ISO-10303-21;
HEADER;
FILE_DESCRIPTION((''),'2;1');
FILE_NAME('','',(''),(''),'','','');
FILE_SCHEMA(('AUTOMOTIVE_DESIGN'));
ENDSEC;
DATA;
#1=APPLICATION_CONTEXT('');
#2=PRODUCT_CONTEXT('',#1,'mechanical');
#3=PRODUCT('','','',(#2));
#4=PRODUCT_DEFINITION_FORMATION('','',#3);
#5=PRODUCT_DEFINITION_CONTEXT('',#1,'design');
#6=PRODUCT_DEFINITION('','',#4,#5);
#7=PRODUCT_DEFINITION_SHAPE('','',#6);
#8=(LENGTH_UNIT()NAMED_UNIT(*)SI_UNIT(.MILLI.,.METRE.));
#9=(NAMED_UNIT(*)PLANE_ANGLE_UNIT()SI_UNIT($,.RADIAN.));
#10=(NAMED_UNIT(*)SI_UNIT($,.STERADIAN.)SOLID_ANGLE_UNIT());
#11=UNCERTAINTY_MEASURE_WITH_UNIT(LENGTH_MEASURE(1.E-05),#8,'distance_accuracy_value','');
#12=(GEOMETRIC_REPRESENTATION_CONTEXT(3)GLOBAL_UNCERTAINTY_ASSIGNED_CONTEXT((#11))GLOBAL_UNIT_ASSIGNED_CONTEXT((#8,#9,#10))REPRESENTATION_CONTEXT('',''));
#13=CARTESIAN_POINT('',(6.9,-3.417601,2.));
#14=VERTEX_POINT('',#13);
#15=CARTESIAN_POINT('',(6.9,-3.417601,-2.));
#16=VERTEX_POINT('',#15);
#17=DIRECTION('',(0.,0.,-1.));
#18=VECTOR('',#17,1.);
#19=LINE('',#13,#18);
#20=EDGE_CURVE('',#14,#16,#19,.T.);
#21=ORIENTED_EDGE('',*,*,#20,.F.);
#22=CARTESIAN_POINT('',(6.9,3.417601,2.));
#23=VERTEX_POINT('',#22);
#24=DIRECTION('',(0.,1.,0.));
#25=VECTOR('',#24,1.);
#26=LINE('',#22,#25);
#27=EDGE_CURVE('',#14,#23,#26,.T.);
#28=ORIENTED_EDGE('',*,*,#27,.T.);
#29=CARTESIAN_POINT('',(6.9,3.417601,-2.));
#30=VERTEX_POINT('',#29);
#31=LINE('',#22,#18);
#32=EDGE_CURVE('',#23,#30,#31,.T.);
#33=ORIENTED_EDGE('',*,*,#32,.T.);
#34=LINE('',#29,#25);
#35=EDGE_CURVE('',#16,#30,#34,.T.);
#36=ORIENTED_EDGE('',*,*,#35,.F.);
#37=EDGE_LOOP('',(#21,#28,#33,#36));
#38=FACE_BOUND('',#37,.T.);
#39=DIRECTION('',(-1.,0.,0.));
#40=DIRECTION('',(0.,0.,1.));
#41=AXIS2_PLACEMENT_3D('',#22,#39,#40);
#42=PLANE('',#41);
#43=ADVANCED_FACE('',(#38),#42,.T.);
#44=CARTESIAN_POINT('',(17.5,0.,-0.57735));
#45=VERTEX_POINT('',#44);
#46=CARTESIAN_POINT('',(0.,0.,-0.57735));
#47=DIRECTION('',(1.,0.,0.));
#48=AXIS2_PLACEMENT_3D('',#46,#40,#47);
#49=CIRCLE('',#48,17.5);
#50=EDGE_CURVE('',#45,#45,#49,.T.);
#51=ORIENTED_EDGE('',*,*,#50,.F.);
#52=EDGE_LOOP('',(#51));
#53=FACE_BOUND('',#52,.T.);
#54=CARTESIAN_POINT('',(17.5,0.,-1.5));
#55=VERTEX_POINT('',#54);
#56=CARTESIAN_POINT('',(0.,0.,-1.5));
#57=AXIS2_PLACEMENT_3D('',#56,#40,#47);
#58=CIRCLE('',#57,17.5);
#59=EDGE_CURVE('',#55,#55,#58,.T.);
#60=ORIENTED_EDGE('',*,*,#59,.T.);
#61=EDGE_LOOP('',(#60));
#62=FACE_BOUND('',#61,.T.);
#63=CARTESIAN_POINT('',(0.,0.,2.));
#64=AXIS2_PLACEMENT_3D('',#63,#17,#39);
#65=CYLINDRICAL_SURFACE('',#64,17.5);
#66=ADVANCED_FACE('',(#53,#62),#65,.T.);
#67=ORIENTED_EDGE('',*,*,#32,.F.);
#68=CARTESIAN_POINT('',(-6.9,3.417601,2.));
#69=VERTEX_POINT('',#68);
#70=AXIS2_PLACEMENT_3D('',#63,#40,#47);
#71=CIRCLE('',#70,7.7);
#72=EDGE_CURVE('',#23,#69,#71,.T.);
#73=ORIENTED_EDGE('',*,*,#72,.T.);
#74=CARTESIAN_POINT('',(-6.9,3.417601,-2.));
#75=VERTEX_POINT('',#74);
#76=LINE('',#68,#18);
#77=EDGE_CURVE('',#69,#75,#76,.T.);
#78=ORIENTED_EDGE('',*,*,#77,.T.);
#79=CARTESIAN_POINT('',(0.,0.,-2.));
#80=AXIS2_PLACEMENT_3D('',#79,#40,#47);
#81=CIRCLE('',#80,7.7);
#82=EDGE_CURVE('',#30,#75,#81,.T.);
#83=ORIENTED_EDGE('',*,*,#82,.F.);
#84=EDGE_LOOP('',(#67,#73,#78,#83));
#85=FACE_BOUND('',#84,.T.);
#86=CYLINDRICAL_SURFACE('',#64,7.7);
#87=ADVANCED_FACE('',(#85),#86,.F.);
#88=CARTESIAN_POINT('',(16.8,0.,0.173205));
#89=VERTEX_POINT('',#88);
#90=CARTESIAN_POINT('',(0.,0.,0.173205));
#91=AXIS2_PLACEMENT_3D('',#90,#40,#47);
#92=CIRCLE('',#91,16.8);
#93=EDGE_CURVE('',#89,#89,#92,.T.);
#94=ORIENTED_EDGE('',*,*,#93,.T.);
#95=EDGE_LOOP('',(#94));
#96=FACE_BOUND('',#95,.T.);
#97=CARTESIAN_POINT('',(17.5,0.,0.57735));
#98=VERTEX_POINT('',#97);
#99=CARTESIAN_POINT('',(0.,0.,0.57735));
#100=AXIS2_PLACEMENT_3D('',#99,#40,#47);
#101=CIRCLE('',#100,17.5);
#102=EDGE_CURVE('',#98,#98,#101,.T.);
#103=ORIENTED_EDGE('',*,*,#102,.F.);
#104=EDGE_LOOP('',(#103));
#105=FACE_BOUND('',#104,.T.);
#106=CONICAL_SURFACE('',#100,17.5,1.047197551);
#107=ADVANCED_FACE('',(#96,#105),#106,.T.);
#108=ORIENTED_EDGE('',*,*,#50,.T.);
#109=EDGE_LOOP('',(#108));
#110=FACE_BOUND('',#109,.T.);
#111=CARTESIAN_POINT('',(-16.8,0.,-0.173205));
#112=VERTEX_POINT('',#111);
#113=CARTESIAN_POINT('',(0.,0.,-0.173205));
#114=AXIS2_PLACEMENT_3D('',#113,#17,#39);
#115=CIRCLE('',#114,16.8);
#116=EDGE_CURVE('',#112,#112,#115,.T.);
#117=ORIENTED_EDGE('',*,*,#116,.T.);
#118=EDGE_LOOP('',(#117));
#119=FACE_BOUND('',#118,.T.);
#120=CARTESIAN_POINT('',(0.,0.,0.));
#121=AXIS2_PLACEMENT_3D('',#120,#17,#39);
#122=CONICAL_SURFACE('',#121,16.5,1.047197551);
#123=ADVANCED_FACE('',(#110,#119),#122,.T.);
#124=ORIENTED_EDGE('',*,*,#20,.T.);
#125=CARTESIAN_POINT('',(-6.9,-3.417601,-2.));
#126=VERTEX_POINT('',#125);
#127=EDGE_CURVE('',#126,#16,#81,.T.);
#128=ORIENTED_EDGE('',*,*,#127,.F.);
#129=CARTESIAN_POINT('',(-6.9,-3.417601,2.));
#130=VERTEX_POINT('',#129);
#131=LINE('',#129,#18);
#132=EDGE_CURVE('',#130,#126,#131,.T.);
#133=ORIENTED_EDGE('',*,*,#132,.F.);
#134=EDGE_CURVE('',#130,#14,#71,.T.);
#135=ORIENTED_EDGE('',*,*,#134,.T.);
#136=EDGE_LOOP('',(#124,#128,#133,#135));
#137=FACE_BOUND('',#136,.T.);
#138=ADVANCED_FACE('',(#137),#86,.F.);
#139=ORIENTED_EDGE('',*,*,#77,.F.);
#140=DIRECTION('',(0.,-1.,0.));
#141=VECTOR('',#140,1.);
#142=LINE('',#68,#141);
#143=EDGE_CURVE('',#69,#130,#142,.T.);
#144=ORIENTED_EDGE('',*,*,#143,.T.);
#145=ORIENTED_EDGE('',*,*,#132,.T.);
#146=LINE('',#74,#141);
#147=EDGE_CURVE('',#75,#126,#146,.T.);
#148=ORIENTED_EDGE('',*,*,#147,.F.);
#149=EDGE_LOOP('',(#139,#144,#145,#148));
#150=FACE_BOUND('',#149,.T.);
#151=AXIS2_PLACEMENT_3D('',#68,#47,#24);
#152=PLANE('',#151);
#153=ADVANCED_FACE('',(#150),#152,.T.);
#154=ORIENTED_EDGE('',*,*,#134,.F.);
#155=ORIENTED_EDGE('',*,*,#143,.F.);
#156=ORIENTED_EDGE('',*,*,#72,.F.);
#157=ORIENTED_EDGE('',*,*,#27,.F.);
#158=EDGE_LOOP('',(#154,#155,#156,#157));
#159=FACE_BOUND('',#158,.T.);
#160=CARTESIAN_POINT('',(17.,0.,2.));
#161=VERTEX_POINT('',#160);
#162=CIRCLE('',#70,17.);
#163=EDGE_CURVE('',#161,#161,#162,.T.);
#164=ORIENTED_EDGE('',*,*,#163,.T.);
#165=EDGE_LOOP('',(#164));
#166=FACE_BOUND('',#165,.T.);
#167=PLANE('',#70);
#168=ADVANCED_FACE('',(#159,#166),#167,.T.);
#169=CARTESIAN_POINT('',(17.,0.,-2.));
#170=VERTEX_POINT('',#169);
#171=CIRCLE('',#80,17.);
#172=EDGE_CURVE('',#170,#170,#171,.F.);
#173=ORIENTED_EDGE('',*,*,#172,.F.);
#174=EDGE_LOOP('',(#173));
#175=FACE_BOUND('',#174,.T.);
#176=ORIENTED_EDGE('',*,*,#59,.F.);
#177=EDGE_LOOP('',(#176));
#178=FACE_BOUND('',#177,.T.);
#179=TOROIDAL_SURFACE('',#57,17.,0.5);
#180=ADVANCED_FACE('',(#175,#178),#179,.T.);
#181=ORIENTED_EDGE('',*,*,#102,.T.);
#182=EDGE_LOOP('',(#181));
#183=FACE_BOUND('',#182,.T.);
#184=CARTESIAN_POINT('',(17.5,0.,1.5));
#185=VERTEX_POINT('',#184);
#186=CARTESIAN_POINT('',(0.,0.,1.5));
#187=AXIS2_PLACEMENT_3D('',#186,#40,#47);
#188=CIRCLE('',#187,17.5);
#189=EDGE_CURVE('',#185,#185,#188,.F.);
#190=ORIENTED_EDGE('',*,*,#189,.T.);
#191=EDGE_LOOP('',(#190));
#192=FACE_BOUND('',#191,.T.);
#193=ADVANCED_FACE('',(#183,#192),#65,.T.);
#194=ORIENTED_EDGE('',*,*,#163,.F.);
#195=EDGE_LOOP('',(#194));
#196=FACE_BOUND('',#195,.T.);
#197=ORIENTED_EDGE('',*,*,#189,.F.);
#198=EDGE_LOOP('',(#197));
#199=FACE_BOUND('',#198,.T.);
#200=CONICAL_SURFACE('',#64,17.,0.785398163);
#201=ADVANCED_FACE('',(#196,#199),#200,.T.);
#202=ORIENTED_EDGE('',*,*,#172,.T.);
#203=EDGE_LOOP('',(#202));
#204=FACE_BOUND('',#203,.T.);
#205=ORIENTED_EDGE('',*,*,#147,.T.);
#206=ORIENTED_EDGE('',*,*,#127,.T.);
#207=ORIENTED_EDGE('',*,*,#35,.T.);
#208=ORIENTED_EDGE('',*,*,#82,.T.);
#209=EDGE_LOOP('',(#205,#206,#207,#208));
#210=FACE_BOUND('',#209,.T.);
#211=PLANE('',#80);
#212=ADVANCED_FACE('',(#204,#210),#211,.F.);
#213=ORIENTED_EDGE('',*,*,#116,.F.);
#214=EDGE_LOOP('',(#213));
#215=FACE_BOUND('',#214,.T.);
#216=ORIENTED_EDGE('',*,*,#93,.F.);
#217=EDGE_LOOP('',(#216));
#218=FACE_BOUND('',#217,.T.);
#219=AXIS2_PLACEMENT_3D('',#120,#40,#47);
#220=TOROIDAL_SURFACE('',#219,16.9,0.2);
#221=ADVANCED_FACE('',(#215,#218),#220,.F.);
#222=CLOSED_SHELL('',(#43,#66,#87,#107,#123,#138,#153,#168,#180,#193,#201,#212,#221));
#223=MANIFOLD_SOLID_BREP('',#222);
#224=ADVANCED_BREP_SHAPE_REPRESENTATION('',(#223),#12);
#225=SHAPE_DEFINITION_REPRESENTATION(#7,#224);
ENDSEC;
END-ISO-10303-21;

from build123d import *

# Parameters (mm, degrees)
SKETCH_1_R      = 17.5
EXTRUDE_2_DEPTH = 2
CHAMFER_1_SIZE  = 0.5
FILLET_2_R      = 0.5
FILLET_3_R      = 0.2


with BuildPart() as part:
    # Эскиз1 → Бобышка-Вытянуть2 (new, symmetric)
    with BuildSketch(Plane.XY):
        Circle(SKETCH_1_R)
        with BuildLine():
            Line((6.9, 3.417601498), (6.9, -3.417601498))
            ThreePointArc((6.9, -3.417601498), (0, -7.7), (-6.9, -3.417601498))
            Line((-6.9, -3.417601498), (-6.9, 3.417601498))
            ThreePointArc((-6.9, 3.417601498), (0, 7.7), (6.9, 3.417601498))
        make_face(mode=Mode.SUBTRACT)
    extrude(amount=EXTRUDE_2_DEPTH, both=True)

    # Эскиз2 → Вырез-Повернуть1 (revolve, cut)
    with BuildSketch(Plane(origin=(0, 0, 0), x_dir=(0, 0, -1), z_dir=(1, 0, 0)), mode=Mode.PRIVATE) as cut_revolve_1_sk:
        Polygon((-0.577350269, 17.5), (0.577350269, 17.5), (0, 16.5), align=None)
    revolve(cut_revolve_1_sk.sketch.rotate(Axis((0, 0, 3.24866267), (0, 0, -1)), 90), axis=Axis((0, 0, 3.24866267), (0, 0, -1)), mode=Mode.SUBTRACT)

    # Фаска1
    chamfer_1_edges = [part.edges().sort_by_distance(p)[0] for p in [
        (-17.5, 0, 2),
    ]]
    chamfer(chamfer_1_edges, length=CHAMFER_1_SIZE)

    # Скругление2
    fillet_2_edges = [part.edges().sort_by_distance(p)[0] for p in [
        (-17.5, 0, -2),
    ]]
    fillet(fillet_2_edges, radius=FILLET_2_R)

    # Скругление3
    fillet_3_edges = [part.edges().sort_by_distance(p)[0] for p in [
        (-16.5, 0, 0),
    ]]
    fillet(fillet_3_edges, radius=FILLET_3_R)


solid = part.part
